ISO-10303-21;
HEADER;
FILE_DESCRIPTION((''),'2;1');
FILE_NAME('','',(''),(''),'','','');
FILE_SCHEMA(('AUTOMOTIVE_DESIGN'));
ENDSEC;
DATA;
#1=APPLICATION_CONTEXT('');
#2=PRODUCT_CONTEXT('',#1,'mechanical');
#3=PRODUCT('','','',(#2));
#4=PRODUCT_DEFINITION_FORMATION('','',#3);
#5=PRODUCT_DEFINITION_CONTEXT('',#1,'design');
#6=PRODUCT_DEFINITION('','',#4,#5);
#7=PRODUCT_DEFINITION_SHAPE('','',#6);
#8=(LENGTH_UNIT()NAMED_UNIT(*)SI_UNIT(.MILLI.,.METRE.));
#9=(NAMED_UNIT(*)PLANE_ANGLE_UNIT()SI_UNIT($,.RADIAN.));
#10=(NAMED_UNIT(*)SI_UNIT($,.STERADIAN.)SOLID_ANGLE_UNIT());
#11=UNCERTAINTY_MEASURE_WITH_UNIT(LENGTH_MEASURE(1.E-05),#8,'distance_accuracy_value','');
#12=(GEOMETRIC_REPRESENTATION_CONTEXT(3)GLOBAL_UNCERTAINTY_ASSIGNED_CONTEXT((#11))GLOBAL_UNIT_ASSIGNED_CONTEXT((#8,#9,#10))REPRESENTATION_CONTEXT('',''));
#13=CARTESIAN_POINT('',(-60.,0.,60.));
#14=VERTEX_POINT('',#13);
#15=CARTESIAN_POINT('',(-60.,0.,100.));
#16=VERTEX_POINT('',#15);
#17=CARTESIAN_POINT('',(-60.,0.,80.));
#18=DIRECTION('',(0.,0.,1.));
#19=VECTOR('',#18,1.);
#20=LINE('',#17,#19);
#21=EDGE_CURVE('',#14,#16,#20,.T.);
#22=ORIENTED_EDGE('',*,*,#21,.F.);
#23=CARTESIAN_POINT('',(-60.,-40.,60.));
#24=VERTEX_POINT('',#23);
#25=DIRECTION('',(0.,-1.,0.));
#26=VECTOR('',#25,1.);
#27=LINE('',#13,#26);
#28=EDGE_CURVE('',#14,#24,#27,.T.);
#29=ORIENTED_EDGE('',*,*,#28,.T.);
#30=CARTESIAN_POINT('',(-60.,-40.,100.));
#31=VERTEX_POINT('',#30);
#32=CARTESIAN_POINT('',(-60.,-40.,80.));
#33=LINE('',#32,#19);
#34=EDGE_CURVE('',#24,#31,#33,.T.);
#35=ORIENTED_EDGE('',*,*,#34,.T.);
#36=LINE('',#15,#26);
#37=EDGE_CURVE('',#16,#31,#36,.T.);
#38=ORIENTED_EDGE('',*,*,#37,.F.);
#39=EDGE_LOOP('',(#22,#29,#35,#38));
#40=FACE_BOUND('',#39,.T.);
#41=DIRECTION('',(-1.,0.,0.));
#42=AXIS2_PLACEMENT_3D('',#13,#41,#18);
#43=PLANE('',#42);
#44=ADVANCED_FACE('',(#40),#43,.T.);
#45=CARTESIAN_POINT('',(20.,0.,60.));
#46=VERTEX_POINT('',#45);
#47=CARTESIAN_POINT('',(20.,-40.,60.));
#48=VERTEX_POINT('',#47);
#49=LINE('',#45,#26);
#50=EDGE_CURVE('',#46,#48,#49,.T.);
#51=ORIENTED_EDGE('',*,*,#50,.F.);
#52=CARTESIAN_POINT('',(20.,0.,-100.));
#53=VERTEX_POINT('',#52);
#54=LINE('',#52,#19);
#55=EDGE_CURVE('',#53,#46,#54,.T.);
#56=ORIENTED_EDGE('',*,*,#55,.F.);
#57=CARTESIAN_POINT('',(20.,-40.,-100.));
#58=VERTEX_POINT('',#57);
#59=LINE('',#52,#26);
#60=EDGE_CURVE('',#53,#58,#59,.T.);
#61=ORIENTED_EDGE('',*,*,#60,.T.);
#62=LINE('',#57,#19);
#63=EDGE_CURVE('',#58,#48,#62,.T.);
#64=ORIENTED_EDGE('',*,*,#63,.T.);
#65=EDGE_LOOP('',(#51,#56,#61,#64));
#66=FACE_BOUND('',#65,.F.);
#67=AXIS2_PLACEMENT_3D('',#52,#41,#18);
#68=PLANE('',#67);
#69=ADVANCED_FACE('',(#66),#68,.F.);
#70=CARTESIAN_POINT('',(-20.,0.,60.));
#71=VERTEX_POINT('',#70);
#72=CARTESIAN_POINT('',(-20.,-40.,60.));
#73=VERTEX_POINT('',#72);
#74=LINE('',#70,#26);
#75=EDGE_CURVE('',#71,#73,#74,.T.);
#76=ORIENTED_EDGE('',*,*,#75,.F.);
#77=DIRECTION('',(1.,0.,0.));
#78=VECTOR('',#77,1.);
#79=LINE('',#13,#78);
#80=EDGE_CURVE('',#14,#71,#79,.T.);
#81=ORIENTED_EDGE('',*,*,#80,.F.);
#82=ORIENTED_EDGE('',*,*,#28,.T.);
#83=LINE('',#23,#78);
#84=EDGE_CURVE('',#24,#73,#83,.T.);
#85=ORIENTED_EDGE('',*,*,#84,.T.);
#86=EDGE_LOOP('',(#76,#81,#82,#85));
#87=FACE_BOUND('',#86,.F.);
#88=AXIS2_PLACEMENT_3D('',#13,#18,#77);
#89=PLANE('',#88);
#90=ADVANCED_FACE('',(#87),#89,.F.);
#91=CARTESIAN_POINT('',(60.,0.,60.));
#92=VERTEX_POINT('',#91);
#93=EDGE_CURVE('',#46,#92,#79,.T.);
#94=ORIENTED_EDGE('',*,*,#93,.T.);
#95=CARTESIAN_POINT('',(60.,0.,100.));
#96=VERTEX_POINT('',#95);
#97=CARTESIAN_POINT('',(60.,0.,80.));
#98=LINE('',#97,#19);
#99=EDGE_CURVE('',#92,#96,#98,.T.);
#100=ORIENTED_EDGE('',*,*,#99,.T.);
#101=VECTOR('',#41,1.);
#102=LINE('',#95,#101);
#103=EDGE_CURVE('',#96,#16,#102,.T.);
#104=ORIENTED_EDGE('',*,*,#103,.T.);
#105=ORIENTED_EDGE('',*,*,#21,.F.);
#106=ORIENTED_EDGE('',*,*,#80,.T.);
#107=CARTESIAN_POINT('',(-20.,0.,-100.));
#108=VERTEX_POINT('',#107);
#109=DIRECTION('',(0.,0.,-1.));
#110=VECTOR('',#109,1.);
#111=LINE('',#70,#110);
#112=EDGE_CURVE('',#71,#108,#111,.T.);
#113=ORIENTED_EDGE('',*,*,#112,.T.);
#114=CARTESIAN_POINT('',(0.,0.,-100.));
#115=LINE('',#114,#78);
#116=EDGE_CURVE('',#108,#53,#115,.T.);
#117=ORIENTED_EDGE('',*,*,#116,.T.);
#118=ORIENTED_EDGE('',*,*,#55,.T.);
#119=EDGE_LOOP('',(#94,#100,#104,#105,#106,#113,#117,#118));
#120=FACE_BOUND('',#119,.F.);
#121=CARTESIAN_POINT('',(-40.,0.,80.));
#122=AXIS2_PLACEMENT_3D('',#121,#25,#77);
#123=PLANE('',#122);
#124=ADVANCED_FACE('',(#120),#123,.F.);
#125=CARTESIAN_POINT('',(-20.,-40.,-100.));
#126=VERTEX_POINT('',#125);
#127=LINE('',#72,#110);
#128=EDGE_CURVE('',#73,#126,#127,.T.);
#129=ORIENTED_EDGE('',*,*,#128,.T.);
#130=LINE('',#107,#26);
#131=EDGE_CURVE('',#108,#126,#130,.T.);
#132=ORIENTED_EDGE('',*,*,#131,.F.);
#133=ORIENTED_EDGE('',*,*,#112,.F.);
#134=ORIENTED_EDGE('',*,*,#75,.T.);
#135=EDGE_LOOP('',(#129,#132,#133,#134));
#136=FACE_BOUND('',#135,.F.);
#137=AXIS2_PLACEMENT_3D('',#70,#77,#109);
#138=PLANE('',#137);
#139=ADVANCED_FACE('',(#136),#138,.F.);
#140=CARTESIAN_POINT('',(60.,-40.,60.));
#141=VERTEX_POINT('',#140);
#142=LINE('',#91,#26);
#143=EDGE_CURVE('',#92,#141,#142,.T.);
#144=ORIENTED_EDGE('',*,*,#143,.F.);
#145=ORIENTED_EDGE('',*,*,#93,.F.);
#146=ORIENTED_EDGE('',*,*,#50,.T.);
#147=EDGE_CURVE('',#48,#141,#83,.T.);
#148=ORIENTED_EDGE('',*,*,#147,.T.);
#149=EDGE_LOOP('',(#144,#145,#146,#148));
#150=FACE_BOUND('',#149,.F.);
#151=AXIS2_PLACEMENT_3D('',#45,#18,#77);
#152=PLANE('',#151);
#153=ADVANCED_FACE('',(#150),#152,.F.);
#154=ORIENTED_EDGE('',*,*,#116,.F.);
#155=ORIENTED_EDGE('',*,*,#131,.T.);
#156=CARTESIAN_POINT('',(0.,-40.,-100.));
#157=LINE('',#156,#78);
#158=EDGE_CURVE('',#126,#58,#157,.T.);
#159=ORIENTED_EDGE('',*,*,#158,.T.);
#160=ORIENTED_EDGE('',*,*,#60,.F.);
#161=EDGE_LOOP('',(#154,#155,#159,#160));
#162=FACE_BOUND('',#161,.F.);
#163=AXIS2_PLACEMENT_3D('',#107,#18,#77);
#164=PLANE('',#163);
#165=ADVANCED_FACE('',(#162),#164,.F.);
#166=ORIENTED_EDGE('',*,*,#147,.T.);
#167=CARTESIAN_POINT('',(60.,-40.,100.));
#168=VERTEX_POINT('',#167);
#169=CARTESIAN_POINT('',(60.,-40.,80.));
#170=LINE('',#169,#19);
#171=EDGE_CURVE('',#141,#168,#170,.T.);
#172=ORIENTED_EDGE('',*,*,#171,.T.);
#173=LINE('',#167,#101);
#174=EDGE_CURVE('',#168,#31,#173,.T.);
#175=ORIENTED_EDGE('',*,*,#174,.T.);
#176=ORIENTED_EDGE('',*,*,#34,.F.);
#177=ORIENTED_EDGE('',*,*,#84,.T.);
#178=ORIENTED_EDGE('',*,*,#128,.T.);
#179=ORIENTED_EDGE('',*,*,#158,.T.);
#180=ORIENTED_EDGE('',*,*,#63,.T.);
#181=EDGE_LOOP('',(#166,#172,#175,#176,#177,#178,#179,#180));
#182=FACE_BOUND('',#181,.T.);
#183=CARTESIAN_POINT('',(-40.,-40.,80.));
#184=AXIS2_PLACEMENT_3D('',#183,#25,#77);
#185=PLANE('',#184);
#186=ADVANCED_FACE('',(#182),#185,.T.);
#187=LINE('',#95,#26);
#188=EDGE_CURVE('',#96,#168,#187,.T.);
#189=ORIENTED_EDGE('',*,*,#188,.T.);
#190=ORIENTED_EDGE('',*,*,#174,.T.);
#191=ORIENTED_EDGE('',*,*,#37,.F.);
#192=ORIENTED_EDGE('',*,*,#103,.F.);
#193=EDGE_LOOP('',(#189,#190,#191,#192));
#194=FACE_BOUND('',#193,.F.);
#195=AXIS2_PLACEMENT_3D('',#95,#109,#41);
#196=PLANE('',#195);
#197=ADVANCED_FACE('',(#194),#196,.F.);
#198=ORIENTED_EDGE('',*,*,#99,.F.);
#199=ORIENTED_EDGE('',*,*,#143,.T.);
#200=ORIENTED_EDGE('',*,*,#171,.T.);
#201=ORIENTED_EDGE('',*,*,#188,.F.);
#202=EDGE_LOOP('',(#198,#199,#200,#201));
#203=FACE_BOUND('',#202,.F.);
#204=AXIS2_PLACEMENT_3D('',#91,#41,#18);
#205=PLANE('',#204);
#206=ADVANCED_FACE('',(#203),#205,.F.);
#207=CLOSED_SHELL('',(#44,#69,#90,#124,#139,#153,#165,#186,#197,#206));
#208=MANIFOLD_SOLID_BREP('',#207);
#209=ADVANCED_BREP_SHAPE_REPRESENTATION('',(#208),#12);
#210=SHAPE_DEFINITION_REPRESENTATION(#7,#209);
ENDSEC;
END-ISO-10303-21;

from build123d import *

# Parameters (mm, degrees)
F0_W     = 40
F0_H     = 40
F1_DEPTH = 40


with BuildPart() as f1:
    # F0 (on Front) → F1 (new body)
    with BuildSketch(Plane.XZ):
        with Locations((-40, 80)):
            Rectangle(F0_W, F0_H)
        with Locations((0, 80)):
            Rectangle(F0_W, F0_H)
        with Locations((40, 80)):
            Rectangle(F0_W, F0_H)
        with Locations((0, 40)):
            Rectangle(F0_W, F0_H)
        Rectangle(F0_W, F0_H)
        with Locations((0, -40)):
            Rectangle(F0_W, F0_H)
        with Locations((0, -80)):
            Rectangle(F0_W, F0_H)
    extrude(amount=F1_DEPTH)


solid = f1.part
